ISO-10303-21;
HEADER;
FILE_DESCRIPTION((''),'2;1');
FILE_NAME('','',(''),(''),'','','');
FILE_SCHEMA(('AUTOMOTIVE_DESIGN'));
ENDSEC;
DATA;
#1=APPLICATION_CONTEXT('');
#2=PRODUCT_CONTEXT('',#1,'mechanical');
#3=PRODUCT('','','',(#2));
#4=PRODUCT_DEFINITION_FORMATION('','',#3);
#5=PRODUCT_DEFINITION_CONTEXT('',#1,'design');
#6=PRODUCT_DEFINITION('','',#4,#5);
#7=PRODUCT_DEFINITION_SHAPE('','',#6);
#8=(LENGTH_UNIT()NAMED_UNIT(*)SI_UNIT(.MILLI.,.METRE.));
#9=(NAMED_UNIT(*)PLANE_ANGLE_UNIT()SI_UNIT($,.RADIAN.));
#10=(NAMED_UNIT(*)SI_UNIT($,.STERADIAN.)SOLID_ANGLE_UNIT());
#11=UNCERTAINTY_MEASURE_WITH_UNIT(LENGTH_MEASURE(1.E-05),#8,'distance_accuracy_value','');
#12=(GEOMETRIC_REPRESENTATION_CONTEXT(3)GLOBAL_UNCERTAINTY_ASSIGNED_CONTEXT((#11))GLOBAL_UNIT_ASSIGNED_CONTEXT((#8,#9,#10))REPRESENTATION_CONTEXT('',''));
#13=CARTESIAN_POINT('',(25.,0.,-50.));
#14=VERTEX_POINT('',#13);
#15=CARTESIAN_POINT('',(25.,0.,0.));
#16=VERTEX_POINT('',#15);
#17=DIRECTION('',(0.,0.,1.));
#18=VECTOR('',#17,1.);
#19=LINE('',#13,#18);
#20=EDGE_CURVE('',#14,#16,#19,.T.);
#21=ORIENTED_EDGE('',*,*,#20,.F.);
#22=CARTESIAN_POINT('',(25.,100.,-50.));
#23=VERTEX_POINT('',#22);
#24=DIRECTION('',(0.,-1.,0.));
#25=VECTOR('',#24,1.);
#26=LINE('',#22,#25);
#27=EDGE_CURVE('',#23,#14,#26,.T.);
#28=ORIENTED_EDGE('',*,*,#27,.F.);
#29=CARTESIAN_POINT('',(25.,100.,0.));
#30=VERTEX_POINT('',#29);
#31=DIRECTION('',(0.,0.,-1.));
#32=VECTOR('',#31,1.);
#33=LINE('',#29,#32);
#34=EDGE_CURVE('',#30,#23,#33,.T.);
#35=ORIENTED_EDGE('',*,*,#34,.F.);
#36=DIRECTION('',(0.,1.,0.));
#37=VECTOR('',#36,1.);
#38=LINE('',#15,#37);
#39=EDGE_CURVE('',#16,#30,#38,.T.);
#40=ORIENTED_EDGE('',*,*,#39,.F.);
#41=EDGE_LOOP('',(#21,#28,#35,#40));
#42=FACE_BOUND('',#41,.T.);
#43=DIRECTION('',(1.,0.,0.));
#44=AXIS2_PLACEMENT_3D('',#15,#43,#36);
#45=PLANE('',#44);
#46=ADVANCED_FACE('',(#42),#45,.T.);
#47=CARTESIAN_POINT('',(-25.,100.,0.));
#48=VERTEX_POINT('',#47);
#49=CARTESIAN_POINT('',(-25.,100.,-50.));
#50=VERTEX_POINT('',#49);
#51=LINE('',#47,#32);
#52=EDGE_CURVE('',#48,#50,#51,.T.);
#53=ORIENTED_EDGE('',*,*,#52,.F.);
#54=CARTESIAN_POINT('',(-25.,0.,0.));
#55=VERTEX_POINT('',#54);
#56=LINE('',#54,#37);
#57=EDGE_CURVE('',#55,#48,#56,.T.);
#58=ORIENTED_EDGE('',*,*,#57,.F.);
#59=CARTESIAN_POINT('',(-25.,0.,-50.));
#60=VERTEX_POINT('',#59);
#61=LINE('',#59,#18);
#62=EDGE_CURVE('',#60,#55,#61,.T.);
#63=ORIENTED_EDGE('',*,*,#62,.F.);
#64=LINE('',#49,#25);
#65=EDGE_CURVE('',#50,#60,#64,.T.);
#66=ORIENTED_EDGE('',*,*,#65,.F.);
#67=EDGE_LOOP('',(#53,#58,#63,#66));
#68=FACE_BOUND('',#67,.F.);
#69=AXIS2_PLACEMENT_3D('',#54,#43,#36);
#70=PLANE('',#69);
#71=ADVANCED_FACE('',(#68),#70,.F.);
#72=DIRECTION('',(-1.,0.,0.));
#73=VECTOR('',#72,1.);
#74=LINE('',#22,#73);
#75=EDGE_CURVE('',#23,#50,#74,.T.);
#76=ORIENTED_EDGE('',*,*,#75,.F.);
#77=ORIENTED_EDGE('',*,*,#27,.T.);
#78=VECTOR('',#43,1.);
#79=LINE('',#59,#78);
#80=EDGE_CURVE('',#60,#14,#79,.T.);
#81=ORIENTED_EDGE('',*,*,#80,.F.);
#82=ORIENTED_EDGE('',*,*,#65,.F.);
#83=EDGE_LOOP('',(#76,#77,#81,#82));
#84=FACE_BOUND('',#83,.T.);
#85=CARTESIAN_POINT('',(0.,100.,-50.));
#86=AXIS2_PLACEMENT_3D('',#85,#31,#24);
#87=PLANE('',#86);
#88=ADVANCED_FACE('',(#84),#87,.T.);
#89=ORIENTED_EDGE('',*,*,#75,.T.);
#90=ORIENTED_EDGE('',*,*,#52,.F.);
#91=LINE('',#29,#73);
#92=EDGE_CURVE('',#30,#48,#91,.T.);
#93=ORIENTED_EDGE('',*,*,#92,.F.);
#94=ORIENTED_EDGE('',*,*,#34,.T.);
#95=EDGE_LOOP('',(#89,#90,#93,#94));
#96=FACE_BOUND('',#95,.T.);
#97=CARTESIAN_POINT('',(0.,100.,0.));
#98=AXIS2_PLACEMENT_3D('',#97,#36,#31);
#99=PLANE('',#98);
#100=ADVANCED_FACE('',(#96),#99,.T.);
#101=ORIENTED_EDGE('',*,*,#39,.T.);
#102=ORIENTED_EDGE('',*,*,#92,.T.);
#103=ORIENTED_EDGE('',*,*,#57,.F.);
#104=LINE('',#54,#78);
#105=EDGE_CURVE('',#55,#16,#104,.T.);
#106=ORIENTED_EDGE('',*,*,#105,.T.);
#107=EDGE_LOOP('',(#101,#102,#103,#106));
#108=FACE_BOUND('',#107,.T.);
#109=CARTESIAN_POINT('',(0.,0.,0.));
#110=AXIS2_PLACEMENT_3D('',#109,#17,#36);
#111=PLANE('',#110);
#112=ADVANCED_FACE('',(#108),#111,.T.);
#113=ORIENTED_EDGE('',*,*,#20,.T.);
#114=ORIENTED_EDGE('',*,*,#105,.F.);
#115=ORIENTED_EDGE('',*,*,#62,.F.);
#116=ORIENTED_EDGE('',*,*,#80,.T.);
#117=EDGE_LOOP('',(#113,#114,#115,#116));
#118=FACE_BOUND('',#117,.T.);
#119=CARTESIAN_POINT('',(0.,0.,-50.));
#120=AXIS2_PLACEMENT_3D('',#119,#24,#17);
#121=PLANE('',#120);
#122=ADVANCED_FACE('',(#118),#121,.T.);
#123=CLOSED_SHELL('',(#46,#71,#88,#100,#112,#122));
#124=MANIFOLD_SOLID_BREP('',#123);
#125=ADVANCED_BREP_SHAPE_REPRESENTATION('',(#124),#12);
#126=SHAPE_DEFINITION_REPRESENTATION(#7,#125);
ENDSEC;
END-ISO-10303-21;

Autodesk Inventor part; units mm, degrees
ref_plane "YZ Plane" through (0, 0, 0) normal (1, 0, 0) x (0, 1, 0)
ref_plane "XZ Plane" through (0, 0, 0) normal (0, 1, 0) x (-1, 0, 0)
ref_plane "XY Plane" through (0, 0, 0) normal (0, 0, 1) x (1, 0, 0)
sketch "Sketch1" plane through (0, 0, 0) normal (1, 0, 0) x (0, 1, 0)
  line L0 (0, 0) -> (100, 0)
  line L1 (100, 0) -> (100, -50)
  line L2 (100, -50) -> (0, -50)
  line L3 (0, -50) -> (0, 0)
  dimension "d0" = 100
  dimension "d1" = 50
extrude "Extrusion1" add sketch "Sketch1" along normal mid plane 50
properties part number "Obstacle"
